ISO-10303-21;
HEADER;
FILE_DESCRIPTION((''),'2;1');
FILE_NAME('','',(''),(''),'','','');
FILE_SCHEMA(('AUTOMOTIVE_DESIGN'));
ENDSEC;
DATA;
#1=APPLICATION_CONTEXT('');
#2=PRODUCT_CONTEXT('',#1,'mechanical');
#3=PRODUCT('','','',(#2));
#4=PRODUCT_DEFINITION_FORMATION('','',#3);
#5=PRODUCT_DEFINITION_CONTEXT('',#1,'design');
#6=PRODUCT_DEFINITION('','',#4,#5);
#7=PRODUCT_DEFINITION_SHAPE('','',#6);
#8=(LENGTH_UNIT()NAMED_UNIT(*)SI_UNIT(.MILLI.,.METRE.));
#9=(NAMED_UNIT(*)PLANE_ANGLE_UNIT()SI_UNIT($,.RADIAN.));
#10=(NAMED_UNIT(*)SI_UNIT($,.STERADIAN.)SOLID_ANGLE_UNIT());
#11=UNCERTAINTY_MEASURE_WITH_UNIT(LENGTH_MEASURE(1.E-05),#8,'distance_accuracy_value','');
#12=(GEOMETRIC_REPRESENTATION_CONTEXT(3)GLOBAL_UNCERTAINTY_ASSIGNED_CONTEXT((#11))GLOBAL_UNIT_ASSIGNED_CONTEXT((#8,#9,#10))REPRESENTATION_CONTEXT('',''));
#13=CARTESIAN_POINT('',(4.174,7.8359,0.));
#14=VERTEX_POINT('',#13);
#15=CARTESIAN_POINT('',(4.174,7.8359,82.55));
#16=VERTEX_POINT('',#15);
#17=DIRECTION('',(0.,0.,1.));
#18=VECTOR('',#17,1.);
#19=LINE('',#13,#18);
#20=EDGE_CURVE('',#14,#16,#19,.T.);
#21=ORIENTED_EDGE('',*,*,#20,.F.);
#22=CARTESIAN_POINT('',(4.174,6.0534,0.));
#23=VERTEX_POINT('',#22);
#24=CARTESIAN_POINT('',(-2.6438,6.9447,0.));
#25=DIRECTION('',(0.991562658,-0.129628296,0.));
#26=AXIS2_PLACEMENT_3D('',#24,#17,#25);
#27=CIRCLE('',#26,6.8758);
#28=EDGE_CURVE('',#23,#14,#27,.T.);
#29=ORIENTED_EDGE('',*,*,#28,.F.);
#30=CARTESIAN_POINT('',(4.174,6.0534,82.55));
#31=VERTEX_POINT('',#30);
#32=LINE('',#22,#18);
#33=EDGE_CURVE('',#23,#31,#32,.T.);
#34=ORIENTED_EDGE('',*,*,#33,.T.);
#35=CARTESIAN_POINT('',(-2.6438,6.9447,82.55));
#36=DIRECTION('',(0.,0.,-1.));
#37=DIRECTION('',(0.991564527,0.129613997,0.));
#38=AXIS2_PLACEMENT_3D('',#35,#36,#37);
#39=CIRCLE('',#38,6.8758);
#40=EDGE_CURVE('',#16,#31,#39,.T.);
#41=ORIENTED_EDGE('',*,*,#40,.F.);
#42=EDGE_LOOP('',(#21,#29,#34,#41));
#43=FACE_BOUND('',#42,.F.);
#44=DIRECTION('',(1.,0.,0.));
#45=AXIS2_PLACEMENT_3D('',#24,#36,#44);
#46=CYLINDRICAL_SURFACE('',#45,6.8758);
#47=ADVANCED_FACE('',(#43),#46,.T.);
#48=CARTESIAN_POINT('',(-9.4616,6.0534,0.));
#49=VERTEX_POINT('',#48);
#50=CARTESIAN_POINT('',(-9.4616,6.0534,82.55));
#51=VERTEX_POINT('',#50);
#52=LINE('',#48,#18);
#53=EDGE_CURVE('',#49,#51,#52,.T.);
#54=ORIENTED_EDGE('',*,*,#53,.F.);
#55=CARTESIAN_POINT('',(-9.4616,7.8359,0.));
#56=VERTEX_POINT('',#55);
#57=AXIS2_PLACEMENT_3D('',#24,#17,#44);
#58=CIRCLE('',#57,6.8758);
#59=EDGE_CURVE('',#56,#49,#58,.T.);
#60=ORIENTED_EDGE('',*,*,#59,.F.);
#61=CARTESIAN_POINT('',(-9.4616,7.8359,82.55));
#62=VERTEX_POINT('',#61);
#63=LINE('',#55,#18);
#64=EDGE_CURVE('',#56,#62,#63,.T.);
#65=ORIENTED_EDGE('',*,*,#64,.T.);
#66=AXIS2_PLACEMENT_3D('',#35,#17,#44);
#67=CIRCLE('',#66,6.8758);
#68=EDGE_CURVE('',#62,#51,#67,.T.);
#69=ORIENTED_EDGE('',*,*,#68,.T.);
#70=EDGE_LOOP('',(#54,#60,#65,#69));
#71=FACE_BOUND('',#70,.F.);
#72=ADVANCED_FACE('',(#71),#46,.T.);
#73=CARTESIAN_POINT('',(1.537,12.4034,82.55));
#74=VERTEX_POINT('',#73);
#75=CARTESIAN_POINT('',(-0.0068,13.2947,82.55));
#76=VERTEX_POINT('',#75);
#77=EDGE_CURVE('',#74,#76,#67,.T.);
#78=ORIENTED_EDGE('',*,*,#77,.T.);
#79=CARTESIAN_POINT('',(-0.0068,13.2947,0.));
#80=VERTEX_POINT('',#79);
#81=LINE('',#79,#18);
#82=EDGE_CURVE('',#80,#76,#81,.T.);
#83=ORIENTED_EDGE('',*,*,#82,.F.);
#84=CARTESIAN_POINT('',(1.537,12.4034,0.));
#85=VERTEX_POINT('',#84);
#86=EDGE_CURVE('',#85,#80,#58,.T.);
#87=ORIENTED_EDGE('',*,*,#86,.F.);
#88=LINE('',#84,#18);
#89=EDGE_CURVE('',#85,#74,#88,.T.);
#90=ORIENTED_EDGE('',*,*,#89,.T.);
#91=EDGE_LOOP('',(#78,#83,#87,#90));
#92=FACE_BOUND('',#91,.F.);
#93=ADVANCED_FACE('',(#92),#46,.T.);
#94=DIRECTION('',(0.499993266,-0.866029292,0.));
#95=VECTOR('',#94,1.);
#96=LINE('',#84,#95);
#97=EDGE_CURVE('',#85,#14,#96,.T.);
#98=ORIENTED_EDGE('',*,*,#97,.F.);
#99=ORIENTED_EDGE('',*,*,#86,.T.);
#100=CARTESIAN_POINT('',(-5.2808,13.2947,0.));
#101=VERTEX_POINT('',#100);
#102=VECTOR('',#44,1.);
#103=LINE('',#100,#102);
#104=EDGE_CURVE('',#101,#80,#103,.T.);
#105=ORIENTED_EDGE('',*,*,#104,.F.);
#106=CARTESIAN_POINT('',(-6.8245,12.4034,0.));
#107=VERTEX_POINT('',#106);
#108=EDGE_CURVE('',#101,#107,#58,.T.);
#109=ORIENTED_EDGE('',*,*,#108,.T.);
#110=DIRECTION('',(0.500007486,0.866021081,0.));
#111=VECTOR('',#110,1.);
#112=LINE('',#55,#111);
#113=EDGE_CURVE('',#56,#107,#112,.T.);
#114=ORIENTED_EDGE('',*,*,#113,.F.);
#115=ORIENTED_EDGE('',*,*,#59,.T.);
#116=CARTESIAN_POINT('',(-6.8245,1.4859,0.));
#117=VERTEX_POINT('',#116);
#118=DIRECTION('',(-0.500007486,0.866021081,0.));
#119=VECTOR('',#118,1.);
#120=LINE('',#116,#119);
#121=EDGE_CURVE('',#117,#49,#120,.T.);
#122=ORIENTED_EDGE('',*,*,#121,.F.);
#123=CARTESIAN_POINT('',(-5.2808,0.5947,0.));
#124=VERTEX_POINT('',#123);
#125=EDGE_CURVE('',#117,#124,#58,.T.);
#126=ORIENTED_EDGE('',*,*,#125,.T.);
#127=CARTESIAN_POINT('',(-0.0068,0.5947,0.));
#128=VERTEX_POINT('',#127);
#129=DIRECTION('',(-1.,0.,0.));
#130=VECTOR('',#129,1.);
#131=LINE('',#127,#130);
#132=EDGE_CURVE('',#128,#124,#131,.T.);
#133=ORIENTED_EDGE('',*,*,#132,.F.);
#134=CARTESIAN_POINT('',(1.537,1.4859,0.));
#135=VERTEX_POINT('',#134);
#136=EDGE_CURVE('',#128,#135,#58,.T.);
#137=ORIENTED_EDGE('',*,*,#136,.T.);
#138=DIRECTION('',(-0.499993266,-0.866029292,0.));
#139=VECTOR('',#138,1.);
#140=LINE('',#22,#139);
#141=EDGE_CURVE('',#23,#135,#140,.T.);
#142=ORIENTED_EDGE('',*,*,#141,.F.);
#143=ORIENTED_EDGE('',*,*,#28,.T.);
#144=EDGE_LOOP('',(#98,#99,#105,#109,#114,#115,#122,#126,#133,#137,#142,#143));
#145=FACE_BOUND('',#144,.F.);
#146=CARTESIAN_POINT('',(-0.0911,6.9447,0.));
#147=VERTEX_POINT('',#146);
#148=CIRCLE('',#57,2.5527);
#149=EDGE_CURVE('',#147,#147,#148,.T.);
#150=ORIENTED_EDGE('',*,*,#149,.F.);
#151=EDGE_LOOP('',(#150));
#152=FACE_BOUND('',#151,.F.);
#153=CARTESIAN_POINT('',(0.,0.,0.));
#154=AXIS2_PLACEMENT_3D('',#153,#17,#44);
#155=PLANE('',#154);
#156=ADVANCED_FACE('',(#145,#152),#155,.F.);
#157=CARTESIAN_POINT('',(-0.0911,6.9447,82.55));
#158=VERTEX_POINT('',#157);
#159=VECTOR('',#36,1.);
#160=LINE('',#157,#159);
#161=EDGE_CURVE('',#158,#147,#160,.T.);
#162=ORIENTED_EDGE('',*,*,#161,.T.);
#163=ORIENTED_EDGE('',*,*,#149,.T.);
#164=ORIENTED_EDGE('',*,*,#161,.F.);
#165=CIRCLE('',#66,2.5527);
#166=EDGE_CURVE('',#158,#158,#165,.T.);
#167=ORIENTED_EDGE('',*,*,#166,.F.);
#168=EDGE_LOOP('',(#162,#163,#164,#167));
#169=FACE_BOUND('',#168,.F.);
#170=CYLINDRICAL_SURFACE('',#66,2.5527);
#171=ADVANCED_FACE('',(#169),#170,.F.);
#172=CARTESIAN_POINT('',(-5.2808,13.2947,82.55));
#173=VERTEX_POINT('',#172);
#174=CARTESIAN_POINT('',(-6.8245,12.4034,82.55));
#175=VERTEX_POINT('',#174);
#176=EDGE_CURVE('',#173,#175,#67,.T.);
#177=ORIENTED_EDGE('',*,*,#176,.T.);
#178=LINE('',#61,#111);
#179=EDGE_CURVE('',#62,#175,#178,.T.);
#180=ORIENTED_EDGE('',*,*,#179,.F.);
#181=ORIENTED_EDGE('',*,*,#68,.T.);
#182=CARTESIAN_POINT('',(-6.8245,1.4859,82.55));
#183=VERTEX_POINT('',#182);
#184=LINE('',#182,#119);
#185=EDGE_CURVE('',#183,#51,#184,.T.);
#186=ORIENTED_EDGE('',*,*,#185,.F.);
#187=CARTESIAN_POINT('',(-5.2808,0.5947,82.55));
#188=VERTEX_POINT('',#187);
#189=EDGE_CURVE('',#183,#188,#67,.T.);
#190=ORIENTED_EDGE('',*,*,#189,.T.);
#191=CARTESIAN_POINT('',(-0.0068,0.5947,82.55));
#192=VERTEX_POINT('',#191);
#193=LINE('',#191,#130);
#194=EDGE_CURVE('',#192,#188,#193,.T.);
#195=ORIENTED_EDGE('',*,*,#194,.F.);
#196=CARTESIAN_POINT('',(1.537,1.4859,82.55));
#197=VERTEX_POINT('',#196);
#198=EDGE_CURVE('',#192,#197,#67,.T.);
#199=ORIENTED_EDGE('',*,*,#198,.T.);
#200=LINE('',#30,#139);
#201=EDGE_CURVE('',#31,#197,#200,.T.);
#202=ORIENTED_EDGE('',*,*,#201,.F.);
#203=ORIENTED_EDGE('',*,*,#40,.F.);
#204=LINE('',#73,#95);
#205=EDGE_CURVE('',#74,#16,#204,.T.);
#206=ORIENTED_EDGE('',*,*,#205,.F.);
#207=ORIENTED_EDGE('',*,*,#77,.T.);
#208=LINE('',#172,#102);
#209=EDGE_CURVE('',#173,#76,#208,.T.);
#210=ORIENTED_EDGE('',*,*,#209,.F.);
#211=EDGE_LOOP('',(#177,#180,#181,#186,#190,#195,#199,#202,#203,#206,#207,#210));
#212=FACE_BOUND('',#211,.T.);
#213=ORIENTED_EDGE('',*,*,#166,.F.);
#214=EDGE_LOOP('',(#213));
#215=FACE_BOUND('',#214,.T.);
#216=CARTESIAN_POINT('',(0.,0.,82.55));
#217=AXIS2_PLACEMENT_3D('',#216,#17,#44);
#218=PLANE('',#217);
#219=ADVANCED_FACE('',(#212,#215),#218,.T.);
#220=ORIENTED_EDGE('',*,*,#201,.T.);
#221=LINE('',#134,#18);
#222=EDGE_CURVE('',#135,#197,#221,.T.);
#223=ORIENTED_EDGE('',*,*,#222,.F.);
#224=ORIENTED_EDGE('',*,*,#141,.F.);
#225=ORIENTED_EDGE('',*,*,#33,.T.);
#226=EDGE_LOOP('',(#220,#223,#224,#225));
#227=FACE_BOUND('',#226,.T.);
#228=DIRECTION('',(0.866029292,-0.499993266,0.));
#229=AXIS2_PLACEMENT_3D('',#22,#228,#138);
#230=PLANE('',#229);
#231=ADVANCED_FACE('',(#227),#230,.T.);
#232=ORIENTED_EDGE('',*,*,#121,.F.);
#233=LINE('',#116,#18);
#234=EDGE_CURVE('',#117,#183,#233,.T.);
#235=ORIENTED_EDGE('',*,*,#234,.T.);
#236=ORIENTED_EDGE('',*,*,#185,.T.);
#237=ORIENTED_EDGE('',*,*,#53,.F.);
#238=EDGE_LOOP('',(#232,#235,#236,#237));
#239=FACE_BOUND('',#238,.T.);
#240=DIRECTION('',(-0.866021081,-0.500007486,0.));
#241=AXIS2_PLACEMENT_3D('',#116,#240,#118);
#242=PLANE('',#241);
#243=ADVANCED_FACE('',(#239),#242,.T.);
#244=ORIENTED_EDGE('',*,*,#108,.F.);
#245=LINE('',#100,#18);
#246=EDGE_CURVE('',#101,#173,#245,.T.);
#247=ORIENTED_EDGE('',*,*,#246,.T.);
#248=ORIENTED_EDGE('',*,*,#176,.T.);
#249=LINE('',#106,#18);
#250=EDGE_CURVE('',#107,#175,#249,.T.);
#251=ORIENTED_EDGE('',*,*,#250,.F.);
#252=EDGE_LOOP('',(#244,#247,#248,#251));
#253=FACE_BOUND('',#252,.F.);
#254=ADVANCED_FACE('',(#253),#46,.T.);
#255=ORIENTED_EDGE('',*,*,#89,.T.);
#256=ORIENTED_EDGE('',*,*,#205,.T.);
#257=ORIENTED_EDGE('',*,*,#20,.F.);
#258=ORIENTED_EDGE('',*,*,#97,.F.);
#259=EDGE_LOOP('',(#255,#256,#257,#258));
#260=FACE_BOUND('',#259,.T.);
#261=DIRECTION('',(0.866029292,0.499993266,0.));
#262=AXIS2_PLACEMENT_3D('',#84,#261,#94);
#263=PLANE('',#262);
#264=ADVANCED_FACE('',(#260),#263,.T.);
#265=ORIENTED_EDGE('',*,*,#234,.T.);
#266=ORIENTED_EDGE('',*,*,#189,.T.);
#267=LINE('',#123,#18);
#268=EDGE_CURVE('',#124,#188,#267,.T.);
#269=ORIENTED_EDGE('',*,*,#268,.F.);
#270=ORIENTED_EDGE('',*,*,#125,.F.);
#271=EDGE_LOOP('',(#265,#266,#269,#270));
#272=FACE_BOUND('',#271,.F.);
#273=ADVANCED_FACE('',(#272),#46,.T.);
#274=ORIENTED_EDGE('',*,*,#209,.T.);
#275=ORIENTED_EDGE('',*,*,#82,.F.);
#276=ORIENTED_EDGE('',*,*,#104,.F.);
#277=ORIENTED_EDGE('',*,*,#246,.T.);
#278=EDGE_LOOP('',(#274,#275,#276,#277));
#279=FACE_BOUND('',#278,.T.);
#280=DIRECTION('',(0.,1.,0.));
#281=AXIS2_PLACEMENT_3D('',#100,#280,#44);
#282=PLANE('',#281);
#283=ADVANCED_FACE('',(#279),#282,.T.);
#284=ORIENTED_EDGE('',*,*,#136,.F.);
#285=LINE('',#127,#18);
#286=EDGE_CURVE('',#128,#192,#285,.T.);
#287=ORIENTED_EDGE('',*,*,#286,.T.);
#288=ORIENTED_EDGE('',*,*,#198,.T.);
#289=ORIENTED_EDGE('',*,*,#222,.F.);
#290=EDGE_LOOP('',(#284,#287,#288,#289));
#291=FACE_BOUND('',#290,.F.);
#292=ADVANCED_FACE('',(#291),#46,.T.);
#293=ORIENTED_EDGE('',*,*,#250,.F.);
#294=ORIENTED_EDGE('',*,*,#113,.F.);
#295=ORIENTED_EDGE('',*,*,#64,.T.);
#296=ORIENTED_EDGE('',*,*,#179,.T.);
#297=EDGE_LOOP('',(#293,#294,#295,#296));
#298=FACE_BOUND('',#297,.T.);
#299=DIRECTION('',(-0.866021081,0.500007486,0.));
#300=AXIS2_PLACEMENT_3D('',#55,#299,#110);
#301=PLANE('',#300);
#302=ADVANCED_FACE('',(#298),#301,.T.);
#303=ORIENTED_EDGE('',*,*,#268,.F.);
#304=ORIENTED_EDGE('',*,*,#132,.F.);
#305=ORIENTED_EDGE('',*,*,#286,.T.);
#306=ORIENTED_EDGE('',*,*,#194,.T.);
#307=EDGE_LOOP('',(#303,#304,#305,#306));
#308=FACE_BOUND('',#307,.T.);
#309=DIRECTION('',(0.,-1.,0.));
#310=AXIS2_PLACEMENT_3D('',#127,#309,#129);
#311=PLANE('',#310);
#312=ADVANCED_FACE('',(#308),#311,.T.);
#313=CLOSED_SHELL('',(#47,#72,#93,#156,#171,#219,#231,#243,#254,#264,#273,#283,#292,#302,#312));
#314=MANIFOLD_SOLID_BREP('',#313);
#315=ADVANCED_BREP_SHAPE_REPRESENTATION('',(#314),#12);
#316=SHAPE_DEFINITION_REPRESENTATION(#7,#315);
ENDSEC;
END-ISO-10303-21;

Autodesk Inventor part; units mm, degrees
ref_plane "YZ Plane" through (0, 0, 0) normal (1, 0, 0) x (0, 1, 0)
ref_plane "XZ Plane" through (0, 0, 0) normal (0, 1, 0) x (-1, 0, 0)
ref_plane "XY Plane" through (0, 0, 0) normal (0, 0, 1) x (1, 0, 0)
sketch "Sketch1" plane through (0, 0, 0) normal (0, 0, 1) x (1, 0, 0)
  circle A0 centre (-2.6438, 6.9447) radius 6.8758
  line L0 (-9.4616, 7.8359) -> (-6.8245, 12.4034)
  line L1 (-6.8245, 1.4859) -> (-9.4616, 6.0534)
  line L2 (-0.0068, 0.5947) -> (-5.2808, 0.5947)
  line L3 (4.174, 6.0534) -> (1.537, 1.4859)
  line L4 (1.537, 12.4034) -> (4.174, 7.8359)
  line L5 (-5.2808, 13.2947) -> (-0.0068, 13.2947)
  point P0 (0, 0)
  point P1 (1.537, 1.4859)
  dimension "d0" = 13.7516
  dimension "d4" = 360
extrude "Extrusion1" add sketch "Sketch1" along normal blind 82.55 contours A0 L3 L2 L1 L0 L5 L4
sketch "Sketch2" plane through (0, 0, 82.55) normal (0, 0, 1) x (1, 0, 0)
  circle A0 centre (-2.6438, 6.9447) radius 2.5527
  line L0 (-5.2808, 0.5947) -> (-0.0068, 0.5947) projected
  line L1 (-2.6438, 6.9447) -> (-5.2808, 0.5947) construction
  line L2 (-2.6438, 6.9447) -> (-0.0068, 0.5947) construction
  point P0 (0, 0)
  dimension "d8" = 5.1054
  dimension "d9" = 6.35
extrude "Extrusion2" cut sketch "Sketch2" against normal blind 82.55
equation "\"d6\" = d5"
equation "\"d10\" = d5"
equation "\"d5\" = 82.55"
properties part number "Intake Motor Side (Thunder Hex)"
